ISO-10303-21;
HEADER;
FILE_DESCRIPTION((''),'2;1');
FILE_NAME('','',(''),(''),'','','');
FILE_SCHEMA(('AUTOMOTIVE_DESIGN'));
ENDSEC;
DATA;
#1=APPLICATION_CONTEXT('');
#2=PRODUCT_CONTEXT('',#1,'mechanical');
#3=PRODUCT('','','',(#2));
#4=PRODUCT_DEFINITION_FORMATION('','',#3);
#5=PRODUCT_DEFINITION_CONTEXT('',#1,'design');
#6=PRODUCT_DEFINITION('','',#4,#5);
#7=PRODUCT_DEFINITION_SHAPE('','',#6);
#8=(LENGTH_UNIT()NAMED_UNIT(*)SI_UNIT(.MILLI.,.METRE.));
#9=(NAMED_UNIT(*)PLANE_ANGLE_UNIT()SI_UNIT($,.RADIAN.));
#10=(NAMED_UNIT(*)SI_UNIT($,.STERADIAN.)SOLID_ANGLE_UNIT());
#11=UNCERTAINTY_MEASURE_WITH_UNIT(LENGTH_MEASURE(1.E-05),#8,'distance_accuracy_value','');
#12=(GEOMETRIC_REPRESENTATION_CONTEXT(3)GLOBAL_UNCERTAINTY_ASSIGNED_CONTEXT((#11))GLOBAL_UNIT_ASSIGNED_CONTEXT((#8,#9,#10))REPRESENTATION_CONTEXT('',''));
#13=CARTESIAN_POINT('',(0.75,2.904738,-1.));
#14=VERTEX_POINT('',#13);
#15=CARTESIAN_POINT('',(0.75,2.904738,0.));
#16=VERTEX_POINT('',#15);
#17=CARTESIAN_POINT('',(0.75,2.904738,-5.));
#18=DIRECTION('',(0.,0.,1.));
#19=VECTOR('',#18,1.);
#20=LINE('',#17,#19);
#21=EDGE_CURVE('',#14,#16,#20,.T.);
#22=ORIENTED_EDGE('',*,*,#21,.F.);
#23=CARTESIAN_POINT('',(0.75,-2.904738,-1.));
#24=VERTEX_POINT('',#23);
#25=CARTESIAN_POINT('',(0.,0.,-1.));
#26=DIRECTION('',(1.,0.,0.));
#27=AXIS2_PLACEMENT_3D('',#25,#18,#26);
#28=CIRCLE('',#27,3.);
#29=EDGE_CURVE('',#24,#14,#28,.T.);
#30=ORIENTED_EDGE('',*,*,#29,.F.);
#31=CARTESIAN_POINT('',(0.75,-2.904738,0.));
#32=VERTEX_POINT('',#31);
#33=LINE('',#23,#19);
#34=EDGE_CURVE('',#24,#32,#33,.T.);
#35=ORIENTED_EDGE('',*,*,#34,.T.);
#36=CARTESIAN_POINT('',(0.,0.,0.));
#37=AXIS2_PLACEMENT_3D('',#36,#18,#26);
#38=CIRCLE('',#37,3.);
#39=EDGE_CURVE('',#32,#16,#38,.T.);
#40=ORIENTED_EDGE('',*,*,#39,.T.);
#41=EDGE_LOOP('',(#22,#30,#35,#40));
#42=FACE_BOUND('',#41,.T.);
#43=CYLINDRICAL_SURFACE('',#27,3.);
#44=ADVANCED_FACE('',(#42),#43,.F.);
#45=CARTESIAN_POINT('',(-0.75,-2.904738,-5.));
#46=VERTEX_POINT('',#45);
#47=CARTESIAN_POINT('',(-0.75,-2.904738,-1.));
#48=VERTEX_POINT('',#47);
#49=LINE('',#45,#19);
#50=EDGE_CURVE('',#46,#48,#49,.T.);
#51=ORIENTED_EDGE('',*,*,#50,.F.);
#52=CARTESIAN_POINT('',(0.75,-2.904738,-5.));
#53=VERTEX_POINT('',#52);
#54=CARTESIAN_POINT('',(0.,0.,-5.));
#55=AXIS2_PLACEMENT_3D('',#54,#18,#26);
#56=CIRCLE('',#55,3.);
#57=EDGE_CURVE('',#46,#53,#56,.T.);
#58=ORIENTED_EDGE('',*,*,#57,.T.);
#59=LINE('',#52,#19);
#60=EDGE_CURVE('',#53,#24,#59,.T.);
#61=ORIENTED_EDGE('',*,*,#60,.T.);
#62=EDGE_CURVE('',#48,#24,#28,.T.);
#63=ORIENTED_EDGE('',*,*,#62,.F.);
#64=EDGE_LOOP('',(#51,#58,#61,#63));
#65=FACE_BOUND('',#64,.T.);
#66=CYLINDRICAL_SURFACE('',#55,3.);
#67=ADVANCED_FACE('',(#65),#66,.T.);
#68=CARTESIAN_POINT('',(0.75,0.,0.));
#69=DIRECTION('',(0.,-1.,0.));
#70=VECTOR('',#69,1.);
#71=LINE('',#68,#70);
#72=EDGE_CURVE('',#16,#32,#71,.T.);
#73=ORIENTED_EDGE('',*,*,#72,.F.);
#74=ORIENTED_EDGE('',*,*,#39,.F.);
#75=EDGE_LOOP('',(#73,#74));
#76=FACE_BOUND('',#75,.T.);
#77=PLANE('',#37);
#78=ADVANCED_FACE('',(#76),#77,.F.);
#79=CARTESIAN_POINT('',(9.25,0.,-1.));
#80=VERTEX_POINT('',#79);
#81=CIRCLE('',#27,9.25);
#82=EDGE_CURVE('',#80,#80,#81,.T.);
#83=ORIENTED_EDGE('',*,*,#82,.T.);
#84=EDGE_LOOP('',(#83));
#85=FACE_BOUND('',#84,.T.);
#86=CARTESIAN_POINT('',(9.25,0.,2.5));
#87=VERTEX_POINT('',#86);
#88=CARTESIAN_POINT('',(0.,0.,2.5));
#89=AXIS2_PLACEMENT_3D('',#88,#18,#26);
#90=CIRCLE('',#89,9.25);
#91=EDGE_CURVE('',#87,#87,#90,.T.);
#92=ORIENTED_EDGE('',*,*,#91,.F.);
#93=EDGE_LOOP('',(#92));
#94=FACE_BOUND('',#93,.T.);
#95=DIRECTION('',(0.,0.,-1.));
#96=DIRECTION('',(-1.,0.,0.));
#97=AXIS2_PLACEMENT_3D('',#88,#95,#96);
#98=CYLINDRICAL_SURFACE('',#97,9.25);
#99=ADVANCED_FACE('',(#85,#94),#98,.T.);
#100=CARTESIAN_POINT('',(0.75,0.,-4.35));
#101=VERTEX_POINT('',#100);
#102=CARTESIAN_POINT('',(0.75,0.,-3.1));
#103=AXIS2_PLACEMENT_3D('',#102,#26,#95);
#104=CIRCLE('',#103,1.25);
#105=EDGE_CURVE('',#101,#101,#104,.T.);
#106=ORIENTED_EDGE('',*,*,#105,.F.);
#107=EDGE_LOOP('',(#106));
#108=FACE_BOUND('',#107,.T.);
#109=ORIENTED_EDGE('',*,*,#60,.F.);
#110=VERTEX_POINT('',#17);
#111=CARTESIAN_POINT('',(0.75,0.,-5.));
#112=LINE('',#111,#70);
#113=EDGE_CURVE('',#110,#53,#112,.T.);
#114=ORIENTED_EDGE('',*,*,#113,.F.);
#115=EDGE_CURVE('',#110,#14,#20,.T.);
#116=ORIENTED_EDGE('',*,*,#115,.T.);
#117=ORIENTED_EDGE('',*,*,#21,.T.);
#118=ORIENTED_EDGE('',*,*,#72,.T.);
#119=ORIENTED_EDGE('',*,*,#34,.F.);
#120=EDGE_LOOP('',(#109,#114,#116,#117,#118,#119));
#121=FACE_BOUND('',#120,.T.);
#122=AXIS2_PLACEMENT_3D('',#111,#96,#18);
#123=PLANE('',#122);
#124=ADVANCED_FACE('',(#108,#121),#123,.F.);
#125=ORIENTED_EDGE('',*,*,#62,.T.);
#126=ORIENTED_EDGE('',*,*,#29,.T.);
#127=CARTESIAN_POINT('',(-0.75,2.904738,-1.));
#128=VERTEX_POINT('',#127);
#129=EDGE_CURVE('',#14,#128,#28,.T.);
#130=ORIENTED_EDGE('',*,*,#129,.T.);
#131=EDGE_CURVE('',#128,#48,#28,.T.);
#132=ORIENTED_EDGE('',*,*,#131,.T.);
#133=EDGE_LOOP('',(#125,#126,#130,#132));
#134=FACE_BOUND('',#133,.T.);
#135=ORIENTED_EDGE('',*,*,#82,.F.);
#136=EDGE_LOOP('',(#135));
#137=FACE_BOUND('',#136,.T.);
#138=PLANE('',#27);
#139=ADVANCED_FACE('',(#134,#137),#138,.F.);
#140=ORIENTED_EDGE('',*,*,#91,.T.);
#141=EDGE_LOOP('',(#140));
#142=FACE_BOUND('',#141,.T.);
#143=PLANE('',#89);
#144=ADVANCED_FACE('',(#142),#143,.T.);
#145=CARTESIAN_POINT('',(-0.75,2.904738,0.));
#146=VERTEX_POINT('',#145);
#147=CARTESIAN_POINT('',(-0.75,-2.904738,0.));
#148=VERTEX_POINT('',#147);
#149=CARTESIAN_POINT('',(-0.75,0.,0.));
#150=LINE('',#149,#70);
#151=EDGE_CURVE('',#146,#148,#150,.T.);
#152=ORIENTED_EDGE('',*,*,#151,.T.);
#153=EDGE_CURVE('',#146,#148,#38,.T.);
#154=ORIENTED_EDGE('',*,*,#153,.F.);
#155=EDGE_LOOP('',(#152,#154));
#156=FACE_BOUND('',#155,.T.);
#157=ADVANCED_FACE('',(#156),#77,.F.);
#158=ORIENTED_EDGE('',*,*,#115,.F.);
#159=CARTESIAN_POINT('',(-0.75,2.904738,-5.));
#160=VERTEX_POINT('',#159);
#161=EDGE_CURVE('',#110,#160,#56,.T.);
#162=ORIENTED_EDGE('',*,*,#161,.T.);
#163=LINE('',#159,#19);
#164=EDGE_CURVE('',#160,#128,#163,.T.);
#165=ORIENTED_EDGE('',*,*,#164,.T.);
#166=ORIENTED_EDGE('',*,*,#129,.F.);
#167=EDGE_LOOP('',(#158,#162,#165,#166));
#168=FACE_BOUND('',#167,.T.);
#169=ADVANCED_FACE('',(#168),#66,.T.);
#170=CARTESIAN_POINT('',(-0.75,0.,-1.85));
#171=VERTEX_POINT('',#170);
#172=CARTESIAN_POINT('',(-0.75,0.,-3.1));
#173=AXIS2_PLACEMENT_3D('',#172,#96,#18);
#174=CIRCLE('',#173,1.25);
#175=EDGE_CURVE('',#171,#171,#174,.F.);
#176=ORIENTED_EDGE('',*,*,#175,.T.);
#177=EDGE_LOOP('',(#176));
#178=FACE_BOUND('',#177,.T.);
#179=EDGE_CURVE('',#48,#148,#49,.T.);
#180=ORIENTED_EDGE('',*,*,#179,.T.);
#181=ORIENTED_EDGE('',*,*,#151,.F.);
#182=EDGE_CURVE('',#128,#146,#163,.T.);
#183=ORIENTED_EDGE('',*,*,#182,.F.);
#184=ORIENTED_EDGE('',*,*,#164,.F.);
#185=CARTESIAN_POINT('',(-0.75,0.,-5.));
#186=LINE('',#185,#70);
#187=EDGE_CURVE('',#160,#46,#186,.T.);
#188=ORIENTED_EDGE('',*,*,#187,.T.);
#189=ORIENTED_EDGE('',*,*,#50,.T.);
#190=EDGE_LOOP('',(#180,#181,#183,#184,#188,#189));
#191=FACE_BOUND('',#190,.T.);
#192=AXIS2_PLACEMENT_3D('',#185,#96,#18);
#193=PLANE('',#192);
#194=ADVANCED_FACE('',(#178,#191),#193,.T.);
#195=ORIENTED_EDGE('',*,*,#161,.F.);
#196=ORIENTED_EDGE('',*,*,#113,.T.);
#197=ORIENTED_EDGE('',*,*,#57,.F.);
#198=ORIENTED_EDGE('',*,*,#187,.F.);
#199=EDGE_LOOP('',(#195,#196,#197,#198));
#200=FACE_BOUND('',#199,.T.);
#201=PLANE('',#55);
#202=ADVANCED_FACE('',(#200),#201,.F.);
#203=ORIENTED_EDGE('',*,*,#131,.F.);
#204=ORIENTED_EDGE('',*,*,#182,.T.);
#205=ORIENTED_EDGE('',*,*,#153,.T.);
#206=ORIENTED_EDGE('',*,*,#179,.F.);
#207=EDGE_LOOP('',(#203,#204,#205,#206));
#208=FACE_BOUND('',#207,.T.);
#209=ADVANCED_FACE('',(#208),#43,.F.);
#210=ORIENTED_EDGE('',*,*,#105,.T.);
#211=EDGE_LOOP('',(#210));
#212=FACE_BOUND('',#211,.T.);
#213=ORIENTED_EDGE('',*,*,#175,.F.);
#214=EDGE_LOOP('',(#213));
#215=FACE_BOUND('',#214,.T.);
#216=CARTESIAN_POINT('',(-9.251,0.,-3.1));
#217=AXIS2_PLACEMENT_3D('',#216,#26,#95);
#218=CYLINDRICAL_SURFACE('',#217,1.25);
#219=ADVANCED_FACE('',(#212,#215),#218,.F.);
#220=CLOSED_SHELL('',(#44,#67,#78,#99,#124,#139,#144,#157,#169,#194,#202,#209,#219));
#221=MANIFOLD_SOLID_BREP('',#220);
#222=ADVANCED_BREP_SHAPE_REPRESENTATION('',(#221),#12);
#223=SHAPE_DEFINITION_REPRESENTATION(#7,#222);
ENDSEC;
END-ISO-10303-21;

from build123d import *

# Parameters (mm, degrees)
CROQUIS1_R              = 9.25
CROQUIS1_R_2            = 3
CROQUIS1_W              = 1.5
CROQUIS1_H              = 5.80947502
SALIENTE_EXTRUIR1_DEPTH = 2.5
CROQUIS1_4_W            = 1.5
CROQUIS1_4_H            = 5.80947502
SALIENTE_EXTRUIR2_DEPTH = 5
CROQUIS1_5_R            = 9.25
CROQUIS1_5_R_2          = 3
SALIENTE_EXTRUIR3_DEPTH = 1
CORTAR_EXTRUIR1_REACH   = 16.511
CROQUIS2_R              = 1.25


with BuildPart() as part:
    # Croquis1 → Saliente-Extruir1 (new body)
    # profile 1 of 6: a face of its own
    with BuildSketch(Plane.XY):
        Circle(CROQUIS1_R)
        Circle(CROQUIS1_R_2, mode=Mode.SUBTRACT)
    # profile 2 of 6: a face of its own
    with BuildSketch(Plane.XY):
        with BuildLine():
            Line((-0.75, -2.90473751), (-0.75, 2.90473751))
            ThreePointArc((-0.75, 2.90473751), (-3, 0), (-0.75, -2.90473751))
        make_face()
    # profile 3 of 6: a face of its own
    with BuildSketch(Plane.XY):
        with BuildLine():
            ThreePointArc((3, 0), (2.371708245, 1.837117307), (0.75, 2.90473751))
            Line((0.75, 2.90473751), (0.75, -2.90473751))
            ThreePointArc((0.75, -2.90473751), (2.371708245, -1.837117307), (3, 0))
        make_face()
    # profile 4 of 6: a face of its own
    with BuildSketch(Plane.XY):
        Rectangle(CROQUIS1_W, CROQUIS1_H)
    # profile 5 of 6: a face of its own
    with BuildSketch(Plane.XY):
        with BuildLine():
            Line((0.75, -2.90473751), (-0.75, -2.90473751))
            ThreePointArc((-0.75, -2.90473751), (0, -3), (0.75, -2.90473751))
        make_face()
    # profile 6 of 6: a face of its own
    with BuildSketch(Plane.XY):
        with BuildLine():
            ThreePointArc((0.75, 2.90473751), (0, 3), (-0.75, 2.90473751))
            Line((-0.75, 2.90473751), (0.75, 2.90473751))
        make_face()
    extrude(amount=SALIENTE_EXTRUIR1_DEPTH)

    # Croquis1<4> → Saliente-Extruir2 (add)
    with BuildSketch(Plane.XY):
        Rectangle(CROQUIS1_4_W, CROQUIS1_4_H)
        with BuildLine():
            ThreePointArc((0.75, 2.90473751), (0, 3), (-0.75, 2.90473751))
            Line((-0.75, 2.90473751), (0.75, 2.90473751))
        make_face()
        with BuildLine():
            Line((0.75, -2.90473751), (-0.75, -2.90473751))
            ThreePointArc((-0.75, -2.90473751), (0, -3), (0.75, -2.90473751))
        make_face()
    extrude(amount=-SALIENTE_EXTRUIR2_DEPTH)

    # Croquis1<5> → Saliente-Extruir3 (add)
    with BuildSketch(Plane.XY):
        Circle(CROQUIS1_5_R)
        Circle(CROQUIS1_5_R_2, mode=Mode.SUBTRACT)
    extrude(amount=-SALIENTE_EXTRUIR3_DEPTH)

    # Croquis2 → Cortar-Extruir1 (cut, up to next)
    with BuildSketch(Plane(origin=(0.75, 0, 0), x_dir=(0, 0, -1), z_dir=(1, 0, 0)), mode=Mode.PRIVATE) as cortar_extruir1_sk1:
        with Locations((3.1, 0)):
            Circle(CROQUIS2_R)
    cortar_extruir1_tool1 = extrude(cortar_extruir1_sk1.sketch, amount=-CORTAR_EXTRUIR1_REACH, mode=Mode.PRIVATE) & part.part
    add(cortar_extruir1_tool1.solids().sort_by_distance((0.75, 0, -3.1))[0], mode=Mode.SUBTRACT)


solid = part.part
